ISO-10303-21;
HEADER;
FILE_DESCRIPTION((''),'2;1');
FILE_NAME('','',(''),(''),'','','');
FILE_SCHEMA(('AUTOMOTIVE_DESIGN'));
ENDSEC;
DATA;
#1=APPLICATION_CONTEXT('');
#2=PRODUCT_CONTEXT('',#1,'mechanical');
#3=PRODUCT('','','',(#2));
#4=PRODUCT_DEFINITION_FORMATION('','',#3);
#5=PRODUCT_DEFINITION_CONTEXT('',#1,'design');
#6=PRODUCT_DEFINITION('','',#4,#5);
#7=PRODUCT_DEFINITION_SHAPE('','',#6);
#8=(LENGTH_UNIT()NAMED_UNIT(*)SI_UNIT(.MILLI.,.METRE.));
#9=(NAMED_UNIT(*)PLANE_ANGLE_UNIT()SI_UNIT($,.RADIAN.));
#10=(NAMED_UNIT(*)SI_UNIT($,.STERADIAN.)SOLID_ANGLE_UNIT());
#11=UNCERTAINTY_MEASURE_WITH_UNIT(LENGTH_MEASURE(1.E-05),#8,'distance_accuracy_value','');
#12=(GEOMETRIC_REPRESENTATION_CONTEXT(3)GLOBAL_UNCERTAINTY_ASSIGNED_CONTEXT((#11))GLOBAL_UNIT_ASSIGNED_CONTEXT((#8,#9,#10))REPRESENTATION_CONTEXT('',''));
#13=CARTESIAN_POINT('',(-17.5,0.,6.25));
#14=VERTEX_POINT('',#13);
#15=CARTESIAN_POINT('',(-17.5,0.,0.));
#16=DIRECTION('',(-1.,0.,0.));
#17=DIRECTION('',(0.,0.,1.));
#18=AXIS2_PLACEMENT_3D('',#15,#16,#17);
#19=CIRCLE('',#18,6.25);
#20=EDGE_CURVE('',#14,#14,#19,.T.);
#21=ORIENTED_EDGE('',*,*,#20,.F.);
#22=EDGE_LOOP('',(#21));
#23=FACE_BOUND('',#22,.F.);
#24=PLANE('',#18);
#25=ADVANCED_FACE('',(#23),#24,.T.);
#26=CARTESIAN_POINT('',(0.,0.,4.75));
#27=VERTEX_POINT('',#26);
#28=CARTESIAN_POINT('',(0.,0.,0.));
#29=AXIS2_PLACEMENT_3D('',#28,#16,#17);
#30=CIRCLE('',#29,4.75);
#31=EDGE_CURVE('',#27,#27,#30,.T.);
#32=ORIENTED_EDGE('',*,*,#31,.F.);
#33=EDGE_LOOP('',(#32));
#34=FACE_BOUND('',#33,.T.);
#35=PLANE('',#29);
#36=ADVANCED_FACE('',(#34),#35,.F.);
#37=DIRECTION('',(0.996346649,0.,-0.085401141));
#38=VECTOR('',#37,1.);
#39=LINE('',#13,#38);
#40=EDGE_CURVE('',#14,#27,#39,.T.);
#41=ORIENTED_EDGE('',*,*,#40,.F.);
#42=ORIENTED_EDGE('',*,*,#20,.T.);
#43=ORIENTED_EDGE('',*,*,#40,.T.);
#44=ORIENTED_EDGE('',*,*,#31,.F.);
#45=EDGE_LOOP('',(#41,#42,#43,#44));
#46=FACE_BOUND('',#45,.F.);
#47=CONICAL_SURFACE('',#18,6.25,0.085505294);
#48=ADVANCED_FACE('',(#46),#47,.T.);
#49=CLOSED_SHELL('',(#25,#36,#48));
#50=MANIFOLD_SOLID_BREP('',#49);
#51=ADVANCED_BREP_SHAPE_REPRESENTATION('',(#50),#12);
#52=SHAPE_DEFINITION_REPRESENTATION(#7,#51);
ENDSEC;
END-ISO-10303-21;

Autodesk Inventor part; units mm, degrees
ref_plane "YZ Plane" through (0, 0, 0) normal (1, 0, 0) x (0, 1, 0)
ref_plane "XZ Plane" through (0, 0, 0) normal (0, 1, 0) x (-1, 0, 0)
ref_plane "XY Plane" through (0, 0, 0) normal (0, 0, 1) x (1, 0, 0)
sketch "Sketch1" plane through (0, 0, 0) normal (0, 1, 0) x (-1, 0, 0)
  line L0 (0, 0) -> (0, 4.75)
  line L1 (0, 0) -> (17.5, 0)
  line L2 (17.5, 0) -> (17.5, 6.25)
  line L3 (17.5, 6.25) -> (0, 4.75)
  dimension "d0" = 4.75
  dimension "d1" = 17.5
  dimension "d2" = 6.25
revolve "Revolution1" add sketch "Sketch1" angle 360 about axis through (0, 0, 0) along (-1, 0, 0)
properties part number "Conical rubber plug 12mm" material "Rubber"
